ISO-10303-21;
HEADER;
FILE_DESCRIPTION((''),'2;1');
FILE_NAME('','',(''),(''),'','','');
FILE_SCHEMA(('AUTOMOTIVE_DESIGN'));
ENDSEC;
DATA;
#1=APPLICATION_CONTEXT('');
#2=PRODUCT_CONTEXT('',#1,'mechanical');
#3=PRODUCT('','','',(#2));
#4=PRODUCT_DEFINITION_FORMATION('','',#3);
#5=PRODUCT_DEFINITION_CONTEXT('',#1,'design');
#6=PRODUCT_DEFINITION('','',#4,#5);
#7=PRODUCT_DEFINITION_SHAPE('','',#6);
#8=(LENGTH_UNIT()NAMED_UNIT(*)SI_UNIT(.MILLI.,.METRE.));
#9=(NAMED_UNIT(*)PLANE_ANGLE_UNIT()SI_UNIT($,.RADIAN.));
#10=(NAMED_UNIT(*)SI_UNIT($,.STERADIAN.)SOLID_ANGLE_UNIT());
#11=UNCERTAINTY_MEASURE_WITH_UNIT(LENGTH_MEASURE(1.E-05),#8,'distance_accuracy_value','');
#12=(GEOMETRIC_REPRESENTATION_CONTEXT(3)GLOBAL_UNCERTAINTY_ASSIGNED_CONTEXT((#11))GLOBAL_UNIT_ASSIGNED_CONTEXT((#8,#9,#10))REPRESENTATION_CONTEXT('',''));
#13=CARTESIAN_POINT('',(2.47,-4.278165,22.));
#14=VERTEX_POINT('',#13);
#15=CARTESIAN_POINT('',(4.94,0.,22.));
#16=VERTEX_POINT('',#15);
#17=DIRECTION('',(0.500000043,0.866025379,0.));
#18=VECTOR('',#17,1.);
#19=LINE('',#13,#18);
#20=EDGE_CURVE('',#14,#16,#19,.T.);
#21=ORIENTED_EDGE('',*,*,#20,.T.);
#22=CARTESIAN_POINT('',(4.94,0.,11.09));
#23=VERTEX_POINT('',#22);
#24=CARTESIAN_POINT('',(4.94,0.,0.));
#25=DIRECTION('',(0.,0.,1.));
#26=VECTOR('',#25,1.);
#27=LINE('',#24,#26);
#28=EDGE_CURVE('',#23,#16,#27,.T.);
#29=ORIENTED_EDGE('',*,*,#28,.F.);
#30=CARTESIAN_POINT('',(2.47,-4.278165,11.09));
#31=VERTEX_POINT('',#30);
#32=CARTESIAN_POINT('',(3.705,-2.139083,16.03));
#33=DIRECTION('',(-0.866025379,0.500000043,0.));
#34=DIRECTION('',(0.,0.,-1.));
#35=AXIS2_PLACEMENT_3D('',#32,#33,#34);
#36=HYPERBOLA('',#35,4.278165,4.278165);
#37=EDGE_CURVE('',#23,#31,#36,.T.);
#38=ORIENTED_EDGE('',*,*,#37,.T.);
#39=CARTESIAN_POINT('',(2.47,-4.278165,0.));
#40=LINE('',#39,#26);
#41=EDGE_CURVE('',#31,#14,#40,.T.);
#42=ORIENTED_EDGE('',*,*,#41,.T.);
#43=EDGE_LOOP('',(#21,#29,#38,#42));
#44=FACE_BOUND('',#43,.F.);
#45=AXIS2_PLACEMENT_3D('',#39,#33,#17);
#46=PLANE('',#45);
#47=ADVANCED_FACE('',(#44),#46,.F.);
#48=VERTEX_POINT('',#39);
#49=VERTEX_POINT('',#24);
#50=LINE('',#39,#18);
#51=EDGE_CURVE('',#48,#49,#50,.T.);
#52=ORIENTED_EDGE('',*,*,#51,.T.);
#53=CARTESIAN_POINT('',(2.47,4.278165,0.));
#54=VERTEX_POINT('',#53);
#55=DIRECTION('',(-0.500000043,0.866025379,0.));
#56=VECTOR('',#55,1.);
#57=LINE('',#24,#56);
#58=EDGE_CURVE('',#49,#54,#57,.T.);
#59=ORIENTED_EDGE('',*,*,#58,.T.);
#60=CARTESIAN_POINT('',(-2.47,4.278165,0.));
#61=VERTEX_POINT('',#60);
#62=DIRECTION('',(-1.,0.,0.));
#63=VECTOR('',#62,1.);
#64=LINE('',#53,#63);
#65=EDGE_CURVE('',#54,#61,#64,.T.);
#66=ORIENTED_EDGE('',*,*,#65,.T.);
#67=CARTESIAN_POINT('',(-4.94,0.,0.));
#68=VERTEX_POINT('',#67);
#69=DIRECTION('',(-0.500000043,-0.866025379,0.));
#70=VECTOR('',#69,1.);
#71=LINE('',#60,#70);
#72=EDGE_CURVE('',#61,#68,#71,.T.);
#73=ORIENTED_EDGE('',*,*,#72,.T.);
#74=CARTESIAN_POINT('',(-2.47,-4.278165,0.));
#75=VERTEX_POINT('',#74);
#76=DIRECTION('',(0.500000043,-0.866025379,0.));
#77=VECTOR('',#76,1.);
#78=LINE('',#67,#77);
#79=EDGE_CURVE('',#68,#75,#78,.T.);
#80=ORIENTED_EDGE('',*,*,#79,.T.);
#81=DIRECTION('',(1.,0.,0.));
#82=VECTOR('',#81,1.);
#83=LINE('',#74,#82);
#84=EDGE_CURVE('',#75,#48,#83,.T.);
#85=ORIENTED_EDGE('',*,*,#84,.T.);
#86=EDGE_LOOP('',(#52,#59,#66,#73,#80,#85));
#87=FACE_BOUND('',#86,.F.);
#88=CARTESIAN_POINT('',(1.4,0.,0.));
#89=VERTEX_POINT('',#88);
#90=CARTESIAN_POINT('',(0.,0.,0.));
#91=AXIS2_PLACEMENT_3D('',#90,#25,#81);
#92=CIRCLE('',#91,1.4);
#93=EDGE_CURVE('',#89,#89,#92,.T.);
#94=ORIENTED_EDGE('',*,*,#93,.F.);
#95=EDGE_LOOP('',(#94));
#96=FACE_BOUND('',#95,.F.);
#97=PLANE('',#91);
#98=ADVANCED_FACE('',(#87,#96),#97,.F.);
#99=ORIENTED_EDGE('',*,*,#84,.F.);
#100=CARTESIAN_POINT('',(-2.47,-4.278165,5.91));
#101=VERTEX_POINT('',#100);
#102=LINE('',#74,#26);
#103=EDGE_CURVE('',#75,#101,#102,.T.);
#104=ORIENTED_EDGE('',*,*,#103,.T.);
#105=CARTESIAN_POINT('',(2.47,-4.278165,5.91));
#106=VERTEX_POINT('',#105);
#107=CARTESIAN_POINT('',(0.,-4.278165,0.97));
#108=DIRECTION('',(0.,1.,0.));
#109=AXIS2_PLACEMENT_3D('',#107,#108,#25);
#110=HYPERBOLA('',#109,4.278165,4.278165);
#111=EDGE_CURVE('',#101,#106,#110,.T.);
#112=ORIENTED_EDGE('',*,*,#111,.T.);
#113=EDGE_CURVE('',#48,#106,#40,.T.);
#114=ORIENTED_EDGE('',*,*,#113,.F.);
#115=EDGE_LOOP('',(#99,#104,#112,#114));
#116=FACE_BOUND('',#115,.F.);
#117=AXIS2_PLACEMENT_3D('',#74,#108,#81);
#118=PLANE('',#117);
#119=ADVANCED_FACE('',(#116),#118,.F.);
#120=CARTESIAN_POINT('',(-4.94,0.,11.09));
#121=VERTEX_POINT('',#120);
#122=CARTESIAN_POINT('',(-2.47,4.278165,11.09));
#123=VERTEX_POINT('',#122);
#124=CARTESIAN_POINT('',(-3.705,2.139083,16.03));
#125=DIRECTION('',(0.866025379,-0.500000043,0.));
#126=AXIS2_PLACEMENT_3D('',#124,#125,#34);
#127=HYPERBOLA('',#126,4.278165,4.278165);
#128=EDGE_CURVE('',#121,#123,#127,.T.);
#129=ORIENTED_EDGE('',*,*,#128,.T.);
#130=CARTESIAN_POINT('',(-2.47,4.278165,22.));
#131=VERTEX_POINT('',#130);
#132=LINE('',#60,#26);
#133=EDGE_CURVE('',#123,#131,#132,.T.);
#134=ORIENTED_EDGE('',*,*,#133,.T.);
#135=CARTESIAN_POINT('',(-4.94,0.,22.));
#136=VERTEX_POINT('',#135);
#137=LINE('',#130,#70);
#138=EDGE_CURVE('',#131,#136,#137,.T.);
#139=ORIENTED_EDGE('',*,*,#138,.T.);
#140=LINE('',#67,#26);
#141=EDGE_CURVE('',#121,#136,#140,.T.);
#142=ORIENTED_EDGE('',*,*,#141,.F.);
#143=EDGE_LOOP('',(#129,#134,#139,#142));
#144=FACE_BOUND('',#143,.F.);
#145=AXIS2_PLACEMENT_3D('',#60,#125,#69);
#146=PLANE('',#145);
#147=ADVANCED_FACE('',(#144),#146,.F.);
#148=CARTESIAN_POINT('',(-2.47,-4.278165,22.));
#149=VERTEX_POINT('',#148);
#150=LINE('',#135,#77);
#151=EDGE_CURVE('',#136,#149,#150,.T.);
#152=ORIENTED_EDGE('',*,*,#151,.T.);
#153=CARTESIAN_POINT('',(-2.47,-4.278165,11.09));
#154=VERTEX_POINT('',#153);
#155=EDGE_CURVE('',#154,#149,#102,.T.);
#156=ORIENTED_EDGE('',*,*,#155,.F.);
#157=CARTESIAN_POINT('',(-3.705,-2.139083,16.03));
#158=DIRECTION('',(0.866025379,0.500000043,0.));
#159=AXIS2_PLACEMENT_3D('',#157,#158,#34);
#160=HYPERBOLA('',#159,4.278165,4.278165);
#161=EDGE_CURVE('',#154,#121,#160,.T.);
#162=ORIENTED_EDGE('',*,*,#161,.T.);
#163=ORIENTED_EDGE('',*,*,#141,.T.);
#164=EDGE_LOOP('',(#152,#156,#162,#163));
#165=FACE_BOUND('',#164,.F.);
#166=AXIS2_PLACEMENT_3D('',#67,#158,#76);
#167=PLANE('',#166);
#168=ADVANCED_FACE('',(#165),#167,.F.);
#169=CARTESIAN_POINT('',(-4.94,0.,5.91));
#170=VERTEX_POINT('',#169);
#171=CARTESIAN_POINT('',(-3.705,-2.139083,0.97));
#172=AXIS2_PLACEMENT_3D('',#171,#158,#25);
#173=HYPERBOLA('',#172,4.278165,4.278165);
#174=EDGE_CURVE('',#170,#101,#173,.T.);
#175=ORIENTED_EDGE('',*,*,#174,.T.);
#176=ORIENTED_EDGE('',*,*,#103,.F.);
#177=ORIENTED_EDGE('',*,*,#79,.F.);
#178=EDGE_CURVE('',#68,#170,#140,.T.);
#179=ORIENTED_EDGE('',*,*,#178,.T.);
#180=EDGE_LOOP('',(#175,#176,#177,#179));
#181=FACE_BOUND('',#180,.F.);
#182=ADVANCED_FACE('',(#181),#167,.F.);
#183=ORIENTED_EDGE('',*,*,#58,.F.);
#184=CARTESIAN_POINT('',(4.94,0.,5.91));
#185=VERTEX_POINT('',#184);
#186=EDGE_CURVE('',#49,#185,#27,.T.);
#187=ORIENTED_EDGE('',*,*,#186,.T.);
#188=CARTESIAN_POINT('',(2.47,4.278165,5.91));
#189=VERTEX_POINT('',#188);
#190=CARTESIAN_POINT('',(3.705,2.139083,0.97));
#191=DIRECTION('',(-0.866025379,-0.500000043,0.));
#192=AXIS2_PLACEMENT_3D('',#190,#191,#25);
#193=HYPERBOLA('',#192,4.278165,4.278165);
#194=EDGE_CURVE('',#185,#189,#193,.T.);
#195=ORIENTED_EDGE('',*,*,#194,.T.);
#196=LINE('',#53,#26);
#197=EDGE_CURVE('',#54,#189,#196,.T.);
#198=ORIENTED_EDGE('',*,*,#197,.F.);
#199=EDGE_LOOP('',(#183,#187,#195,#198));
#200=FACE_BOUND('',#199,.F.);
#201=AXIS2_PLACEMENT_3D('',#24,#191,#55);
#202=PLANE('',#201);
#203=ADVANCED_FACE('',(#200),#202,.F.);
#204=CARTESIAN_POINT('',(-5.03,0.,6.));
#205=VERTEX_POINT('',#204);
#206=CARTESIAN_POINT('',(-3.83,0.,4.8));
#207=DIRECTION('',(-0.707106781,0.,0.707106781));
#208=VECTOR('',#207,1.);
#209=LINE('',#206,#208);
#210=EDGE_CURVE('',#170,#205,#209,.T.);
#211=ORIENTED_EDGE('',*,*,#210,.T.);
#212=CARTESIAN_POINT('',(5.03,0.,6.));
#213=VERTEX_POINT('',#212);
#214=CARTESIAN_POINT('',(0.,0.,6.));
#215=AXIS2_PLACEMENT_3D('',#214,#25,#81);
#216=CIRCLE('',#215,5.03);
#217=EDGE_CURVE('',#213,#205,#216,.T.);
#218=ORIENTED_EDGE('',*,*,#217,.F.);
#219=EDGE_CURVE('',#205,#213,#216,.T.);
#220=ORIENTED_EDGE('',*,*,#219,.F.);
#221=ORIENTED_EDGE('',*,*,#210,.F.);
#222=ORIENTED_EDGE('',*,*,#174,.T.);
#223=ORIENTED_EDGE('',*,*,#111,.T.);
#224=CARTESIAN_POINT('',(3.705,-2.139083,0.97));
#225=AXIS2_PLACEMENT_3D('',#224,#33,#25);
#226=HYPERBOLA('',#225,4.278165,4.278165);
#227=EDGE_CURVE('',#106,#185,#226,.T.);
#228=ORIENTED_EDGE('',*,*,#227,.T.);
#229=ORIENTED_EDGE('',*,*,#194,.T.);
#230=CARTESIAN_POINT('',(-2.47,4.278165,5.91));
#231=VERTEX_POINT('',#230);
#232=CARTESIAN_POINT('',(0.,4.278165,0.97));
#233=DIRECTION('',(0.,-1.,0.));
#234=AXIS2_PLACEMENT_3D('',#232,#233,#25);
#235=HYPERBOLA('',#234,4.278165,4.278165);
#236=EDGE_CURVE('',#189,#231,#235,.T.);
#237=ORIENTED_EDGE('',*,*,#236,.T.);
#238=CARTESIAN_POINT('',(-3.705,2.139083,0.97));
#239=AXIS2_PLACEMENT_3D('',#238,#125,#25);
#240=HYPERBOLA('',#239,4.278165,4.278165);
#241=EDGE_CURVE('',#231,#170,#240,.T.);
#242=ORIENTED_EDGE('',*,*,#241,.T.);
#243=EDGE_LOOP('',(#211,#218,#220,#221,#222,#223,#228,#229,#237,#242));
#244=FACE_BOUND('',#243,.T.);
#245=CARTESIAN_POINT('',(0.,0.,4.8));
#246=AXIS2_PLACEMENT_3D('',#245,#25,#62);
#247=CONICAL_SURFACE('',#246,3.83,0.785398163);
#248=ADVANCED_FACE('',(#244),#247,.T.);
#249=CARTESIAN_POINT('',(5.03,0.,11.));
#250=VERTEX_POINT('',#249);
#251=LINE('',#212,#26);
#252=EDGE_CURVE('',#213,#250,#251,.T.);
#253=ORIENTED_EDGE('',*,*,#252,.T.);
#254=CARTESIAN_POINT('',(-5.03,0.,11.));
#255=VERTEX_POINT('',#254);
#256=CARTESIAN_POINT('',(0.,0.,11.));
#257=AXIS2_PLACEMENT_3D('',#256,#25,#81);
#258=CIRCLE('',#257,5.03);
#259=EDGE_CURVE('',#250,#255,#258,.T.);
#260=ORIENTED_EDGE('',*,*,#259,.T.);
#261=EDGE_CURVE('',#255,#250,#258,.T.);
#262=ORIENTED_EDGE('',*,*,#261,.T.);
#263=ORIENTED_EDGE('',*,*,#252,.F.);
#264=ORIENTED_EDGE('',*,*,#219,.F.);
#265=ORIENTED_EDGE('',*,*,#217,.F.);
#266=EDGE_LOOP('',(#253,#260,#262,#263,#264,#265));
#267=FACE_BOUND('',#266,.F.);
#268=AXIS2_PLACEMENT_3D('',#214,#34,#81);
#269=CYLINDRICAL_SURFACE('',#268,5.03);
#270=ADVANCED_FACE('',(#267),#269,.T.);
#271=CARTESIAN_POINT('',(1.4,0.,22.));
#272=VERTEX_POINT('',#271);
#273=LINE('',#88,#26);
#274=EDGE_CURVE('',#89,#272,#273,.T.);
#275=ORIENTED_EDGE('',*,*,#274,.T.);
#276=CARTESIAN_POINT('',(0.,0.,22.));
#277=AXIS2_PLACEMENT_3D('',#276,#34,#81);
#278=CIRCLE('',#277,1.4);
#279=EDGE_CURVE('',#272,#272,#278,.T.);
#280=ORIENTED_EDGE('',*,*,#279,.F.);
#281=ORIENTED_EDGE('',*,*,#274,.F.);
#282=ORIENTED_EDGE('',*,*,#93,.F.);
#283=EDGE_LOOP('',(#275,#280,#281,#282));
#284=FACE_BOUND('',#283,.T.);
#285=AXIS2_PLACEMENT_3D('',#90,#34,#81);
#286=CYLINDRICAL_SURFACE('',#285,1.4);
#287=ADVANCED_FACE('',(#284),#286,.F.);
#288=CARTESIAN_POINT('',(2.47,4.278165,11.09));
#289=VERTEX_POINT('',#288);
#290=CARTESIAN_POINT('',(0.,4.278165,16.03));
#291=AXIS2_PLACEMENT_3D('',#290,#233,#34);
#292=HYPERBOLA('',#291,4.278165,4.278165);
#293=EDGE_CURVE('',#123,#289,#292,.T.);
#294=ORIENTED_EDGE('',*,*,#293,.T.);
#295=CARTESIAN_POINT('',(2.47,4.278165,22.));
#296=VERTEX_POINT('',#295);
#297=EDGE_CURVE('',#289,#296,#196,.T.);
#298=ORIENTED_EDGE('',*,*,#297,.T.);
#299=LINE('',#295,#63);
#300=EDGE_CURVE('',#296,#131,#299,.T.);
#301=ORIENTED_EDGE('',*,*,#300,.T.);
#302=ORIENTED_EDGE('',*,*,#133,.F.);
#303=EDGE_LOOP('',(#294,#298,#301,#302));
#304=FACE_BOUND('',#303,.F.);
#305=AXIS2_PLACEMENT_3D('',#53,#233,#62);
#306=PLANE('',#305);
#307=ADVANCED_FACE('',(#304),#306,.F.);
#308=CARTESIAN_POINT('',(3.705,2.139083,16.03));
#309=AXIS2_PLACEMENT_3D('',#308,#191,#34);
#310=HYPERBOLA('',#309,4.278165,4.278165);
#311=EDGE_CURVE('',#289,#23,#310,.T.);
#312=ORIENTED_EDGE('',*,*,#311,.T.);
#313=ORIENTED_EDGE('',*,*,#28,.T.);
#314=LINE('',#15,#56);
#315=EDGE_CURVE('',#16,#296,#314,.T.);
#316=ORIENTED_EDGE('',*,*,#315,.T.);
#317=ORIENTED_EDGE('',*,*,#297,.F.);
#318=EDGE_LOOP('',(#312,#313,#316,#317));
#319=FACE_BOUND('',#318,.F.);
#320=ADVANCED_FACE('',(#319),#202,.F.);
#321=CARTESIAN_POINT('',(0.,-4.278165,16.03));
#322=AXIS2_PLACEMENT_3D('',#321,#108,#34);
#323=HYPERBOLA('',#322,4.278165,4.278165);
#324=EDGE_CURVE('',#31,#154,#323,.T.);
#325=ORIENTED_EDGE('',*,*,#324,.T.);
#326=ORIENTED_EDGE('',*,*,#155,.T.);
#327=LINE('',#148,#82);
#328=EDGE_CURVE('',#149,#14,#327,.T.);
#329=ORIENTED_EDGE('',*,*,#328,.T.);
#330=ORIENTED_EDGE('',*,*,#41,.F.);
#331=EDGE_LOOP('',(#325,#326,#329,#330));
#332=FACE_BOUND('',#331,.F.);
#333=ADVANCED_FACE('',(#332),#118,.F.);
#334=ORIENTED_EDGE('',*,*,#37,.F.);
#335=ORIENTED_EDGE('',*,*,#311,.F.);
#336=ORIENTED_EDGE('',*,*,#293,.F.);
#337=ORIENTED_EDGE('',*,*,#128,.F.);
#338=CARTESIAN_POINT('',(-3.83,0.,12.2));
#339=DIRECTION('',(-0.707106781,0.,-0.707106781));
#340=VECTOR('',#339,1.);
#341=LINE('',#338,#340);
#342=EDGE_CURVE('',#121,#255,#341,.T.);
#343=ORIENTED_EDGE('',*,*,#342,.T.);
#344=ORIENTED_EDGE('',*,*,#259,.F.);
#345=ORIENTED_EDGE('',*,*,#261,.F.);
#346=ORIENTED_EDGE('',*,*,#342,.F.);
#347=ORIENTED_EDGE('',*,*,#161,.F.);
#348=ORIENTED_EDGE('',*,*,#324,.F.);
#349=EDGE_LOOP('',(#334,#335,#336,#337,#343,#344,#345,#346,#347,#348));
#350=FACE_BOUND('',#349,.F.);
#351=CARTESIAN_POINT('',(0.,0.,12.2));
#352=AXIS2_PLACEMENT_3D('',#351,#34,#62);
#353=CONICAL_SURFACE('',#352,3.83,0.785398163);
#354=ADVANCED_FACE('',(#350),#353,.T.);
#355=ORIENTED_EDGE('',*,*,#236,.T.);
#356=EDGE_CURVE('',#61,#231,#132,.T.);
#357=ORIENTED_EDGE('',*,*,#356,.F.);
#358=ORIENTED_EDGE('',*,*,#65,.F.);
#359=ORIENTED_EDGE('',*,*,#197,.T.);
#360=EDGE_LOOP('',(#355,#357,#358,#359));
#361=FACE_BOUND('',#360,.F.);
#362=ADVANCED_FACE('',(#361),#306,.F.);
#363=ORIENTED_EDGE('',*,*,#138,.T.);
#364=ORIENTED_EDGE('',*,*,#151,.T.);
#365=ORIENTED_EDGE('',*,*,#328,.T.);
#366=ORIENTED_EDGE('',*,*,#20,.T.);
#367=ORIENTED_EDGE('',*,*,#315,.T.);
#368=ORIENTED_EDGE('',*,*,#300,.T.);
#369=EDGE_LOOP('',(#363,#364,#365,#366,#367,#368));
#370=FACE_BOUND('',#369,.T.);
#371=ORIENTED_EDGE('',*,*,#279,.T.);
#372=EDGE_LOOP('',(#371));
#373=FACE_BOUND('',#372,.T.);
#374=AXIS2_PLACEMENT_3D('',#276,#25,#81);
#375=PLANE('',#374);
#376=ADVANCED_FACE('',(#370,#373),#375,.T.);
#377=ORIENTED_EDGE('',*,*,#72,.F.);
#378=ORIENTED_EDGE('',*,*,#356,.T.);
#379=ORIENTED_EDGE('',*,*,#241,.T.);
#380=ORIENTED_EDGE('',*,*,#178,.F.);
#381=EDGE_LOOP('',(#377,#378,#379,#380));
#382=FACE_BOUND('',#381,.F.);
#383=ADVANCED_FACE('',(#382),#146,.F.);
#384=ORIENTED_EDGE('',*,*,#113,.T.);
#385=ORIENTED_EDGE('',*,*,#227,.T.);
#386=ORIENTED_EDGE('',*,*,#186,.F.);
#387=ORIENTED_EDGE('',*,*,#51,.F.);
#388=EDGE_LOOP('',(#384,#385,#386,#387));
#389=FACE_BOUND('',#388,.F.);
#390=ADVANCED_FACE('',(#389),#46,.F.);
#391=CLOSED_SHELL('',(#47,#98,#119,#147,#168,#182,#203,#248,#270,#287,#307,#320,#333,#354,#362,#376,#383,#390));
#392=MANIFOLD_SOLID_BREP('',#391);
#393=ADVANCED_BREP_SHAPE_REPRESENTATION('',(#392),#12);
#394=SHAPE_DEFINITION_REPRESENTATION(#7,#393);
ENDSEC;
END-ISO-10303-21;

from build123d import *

# Parameters (mm, degrees)
SKETCH024_R          = 5.03
PAD018_DEPTH         = 5
PAD019_DEPTH         = 22
SKETCH027_R          = 1.4
POCKET004_DEPTH      = 0.001
POCKET004_DEPTH_BACK = 22.001


with BuildPart() as part:
    # Sketch024 → Pad018 (new body)
    with BuildSketch(Plane.XY.offset(6)):
        Circle(SKETCH024_R)
    extrude(amount=PAD018_DEPTH)

    # Sketch025 → Pad019 (join)
    with BuildSketch(Plane.XY):
        Polygon((2.47, -4.278165), (4.94, 0), (2.47, 4.278165), (-2.47, 4.278165), (-4.94, 0), (-2.47, -4.278165), align=None)
    extrude(amount=PAD019_DEPTH)

    # Sketch026 → Revolution006 (revolve)
    with BuildSketch(Plane.XZ):
        Polygon((-5.03, 11), (-3.83, 11), (-3.83, 12.2), align=None)
        Polygon((-5.03, 6), (-3.83, 6), (-3.83, 4.8), align=None)
    revolve(axis=Axis((0, 0, 0), (0, 0, 1)))

    # Sketch027 → Pocket004 (cut, two sides)
    with BuildSketch(Plane.XY) as pocket004_sk:
        Circle(SKETCH027_R)
    extrude(amount=-POCKET004_DEPTH, mode=Mode.SUBTRACT)
    extrude(pocket004_sk.sketch, amount=POCKET004_DEPTH_BACK, mode=Mode.SUBTRACT)


solid = part.part
